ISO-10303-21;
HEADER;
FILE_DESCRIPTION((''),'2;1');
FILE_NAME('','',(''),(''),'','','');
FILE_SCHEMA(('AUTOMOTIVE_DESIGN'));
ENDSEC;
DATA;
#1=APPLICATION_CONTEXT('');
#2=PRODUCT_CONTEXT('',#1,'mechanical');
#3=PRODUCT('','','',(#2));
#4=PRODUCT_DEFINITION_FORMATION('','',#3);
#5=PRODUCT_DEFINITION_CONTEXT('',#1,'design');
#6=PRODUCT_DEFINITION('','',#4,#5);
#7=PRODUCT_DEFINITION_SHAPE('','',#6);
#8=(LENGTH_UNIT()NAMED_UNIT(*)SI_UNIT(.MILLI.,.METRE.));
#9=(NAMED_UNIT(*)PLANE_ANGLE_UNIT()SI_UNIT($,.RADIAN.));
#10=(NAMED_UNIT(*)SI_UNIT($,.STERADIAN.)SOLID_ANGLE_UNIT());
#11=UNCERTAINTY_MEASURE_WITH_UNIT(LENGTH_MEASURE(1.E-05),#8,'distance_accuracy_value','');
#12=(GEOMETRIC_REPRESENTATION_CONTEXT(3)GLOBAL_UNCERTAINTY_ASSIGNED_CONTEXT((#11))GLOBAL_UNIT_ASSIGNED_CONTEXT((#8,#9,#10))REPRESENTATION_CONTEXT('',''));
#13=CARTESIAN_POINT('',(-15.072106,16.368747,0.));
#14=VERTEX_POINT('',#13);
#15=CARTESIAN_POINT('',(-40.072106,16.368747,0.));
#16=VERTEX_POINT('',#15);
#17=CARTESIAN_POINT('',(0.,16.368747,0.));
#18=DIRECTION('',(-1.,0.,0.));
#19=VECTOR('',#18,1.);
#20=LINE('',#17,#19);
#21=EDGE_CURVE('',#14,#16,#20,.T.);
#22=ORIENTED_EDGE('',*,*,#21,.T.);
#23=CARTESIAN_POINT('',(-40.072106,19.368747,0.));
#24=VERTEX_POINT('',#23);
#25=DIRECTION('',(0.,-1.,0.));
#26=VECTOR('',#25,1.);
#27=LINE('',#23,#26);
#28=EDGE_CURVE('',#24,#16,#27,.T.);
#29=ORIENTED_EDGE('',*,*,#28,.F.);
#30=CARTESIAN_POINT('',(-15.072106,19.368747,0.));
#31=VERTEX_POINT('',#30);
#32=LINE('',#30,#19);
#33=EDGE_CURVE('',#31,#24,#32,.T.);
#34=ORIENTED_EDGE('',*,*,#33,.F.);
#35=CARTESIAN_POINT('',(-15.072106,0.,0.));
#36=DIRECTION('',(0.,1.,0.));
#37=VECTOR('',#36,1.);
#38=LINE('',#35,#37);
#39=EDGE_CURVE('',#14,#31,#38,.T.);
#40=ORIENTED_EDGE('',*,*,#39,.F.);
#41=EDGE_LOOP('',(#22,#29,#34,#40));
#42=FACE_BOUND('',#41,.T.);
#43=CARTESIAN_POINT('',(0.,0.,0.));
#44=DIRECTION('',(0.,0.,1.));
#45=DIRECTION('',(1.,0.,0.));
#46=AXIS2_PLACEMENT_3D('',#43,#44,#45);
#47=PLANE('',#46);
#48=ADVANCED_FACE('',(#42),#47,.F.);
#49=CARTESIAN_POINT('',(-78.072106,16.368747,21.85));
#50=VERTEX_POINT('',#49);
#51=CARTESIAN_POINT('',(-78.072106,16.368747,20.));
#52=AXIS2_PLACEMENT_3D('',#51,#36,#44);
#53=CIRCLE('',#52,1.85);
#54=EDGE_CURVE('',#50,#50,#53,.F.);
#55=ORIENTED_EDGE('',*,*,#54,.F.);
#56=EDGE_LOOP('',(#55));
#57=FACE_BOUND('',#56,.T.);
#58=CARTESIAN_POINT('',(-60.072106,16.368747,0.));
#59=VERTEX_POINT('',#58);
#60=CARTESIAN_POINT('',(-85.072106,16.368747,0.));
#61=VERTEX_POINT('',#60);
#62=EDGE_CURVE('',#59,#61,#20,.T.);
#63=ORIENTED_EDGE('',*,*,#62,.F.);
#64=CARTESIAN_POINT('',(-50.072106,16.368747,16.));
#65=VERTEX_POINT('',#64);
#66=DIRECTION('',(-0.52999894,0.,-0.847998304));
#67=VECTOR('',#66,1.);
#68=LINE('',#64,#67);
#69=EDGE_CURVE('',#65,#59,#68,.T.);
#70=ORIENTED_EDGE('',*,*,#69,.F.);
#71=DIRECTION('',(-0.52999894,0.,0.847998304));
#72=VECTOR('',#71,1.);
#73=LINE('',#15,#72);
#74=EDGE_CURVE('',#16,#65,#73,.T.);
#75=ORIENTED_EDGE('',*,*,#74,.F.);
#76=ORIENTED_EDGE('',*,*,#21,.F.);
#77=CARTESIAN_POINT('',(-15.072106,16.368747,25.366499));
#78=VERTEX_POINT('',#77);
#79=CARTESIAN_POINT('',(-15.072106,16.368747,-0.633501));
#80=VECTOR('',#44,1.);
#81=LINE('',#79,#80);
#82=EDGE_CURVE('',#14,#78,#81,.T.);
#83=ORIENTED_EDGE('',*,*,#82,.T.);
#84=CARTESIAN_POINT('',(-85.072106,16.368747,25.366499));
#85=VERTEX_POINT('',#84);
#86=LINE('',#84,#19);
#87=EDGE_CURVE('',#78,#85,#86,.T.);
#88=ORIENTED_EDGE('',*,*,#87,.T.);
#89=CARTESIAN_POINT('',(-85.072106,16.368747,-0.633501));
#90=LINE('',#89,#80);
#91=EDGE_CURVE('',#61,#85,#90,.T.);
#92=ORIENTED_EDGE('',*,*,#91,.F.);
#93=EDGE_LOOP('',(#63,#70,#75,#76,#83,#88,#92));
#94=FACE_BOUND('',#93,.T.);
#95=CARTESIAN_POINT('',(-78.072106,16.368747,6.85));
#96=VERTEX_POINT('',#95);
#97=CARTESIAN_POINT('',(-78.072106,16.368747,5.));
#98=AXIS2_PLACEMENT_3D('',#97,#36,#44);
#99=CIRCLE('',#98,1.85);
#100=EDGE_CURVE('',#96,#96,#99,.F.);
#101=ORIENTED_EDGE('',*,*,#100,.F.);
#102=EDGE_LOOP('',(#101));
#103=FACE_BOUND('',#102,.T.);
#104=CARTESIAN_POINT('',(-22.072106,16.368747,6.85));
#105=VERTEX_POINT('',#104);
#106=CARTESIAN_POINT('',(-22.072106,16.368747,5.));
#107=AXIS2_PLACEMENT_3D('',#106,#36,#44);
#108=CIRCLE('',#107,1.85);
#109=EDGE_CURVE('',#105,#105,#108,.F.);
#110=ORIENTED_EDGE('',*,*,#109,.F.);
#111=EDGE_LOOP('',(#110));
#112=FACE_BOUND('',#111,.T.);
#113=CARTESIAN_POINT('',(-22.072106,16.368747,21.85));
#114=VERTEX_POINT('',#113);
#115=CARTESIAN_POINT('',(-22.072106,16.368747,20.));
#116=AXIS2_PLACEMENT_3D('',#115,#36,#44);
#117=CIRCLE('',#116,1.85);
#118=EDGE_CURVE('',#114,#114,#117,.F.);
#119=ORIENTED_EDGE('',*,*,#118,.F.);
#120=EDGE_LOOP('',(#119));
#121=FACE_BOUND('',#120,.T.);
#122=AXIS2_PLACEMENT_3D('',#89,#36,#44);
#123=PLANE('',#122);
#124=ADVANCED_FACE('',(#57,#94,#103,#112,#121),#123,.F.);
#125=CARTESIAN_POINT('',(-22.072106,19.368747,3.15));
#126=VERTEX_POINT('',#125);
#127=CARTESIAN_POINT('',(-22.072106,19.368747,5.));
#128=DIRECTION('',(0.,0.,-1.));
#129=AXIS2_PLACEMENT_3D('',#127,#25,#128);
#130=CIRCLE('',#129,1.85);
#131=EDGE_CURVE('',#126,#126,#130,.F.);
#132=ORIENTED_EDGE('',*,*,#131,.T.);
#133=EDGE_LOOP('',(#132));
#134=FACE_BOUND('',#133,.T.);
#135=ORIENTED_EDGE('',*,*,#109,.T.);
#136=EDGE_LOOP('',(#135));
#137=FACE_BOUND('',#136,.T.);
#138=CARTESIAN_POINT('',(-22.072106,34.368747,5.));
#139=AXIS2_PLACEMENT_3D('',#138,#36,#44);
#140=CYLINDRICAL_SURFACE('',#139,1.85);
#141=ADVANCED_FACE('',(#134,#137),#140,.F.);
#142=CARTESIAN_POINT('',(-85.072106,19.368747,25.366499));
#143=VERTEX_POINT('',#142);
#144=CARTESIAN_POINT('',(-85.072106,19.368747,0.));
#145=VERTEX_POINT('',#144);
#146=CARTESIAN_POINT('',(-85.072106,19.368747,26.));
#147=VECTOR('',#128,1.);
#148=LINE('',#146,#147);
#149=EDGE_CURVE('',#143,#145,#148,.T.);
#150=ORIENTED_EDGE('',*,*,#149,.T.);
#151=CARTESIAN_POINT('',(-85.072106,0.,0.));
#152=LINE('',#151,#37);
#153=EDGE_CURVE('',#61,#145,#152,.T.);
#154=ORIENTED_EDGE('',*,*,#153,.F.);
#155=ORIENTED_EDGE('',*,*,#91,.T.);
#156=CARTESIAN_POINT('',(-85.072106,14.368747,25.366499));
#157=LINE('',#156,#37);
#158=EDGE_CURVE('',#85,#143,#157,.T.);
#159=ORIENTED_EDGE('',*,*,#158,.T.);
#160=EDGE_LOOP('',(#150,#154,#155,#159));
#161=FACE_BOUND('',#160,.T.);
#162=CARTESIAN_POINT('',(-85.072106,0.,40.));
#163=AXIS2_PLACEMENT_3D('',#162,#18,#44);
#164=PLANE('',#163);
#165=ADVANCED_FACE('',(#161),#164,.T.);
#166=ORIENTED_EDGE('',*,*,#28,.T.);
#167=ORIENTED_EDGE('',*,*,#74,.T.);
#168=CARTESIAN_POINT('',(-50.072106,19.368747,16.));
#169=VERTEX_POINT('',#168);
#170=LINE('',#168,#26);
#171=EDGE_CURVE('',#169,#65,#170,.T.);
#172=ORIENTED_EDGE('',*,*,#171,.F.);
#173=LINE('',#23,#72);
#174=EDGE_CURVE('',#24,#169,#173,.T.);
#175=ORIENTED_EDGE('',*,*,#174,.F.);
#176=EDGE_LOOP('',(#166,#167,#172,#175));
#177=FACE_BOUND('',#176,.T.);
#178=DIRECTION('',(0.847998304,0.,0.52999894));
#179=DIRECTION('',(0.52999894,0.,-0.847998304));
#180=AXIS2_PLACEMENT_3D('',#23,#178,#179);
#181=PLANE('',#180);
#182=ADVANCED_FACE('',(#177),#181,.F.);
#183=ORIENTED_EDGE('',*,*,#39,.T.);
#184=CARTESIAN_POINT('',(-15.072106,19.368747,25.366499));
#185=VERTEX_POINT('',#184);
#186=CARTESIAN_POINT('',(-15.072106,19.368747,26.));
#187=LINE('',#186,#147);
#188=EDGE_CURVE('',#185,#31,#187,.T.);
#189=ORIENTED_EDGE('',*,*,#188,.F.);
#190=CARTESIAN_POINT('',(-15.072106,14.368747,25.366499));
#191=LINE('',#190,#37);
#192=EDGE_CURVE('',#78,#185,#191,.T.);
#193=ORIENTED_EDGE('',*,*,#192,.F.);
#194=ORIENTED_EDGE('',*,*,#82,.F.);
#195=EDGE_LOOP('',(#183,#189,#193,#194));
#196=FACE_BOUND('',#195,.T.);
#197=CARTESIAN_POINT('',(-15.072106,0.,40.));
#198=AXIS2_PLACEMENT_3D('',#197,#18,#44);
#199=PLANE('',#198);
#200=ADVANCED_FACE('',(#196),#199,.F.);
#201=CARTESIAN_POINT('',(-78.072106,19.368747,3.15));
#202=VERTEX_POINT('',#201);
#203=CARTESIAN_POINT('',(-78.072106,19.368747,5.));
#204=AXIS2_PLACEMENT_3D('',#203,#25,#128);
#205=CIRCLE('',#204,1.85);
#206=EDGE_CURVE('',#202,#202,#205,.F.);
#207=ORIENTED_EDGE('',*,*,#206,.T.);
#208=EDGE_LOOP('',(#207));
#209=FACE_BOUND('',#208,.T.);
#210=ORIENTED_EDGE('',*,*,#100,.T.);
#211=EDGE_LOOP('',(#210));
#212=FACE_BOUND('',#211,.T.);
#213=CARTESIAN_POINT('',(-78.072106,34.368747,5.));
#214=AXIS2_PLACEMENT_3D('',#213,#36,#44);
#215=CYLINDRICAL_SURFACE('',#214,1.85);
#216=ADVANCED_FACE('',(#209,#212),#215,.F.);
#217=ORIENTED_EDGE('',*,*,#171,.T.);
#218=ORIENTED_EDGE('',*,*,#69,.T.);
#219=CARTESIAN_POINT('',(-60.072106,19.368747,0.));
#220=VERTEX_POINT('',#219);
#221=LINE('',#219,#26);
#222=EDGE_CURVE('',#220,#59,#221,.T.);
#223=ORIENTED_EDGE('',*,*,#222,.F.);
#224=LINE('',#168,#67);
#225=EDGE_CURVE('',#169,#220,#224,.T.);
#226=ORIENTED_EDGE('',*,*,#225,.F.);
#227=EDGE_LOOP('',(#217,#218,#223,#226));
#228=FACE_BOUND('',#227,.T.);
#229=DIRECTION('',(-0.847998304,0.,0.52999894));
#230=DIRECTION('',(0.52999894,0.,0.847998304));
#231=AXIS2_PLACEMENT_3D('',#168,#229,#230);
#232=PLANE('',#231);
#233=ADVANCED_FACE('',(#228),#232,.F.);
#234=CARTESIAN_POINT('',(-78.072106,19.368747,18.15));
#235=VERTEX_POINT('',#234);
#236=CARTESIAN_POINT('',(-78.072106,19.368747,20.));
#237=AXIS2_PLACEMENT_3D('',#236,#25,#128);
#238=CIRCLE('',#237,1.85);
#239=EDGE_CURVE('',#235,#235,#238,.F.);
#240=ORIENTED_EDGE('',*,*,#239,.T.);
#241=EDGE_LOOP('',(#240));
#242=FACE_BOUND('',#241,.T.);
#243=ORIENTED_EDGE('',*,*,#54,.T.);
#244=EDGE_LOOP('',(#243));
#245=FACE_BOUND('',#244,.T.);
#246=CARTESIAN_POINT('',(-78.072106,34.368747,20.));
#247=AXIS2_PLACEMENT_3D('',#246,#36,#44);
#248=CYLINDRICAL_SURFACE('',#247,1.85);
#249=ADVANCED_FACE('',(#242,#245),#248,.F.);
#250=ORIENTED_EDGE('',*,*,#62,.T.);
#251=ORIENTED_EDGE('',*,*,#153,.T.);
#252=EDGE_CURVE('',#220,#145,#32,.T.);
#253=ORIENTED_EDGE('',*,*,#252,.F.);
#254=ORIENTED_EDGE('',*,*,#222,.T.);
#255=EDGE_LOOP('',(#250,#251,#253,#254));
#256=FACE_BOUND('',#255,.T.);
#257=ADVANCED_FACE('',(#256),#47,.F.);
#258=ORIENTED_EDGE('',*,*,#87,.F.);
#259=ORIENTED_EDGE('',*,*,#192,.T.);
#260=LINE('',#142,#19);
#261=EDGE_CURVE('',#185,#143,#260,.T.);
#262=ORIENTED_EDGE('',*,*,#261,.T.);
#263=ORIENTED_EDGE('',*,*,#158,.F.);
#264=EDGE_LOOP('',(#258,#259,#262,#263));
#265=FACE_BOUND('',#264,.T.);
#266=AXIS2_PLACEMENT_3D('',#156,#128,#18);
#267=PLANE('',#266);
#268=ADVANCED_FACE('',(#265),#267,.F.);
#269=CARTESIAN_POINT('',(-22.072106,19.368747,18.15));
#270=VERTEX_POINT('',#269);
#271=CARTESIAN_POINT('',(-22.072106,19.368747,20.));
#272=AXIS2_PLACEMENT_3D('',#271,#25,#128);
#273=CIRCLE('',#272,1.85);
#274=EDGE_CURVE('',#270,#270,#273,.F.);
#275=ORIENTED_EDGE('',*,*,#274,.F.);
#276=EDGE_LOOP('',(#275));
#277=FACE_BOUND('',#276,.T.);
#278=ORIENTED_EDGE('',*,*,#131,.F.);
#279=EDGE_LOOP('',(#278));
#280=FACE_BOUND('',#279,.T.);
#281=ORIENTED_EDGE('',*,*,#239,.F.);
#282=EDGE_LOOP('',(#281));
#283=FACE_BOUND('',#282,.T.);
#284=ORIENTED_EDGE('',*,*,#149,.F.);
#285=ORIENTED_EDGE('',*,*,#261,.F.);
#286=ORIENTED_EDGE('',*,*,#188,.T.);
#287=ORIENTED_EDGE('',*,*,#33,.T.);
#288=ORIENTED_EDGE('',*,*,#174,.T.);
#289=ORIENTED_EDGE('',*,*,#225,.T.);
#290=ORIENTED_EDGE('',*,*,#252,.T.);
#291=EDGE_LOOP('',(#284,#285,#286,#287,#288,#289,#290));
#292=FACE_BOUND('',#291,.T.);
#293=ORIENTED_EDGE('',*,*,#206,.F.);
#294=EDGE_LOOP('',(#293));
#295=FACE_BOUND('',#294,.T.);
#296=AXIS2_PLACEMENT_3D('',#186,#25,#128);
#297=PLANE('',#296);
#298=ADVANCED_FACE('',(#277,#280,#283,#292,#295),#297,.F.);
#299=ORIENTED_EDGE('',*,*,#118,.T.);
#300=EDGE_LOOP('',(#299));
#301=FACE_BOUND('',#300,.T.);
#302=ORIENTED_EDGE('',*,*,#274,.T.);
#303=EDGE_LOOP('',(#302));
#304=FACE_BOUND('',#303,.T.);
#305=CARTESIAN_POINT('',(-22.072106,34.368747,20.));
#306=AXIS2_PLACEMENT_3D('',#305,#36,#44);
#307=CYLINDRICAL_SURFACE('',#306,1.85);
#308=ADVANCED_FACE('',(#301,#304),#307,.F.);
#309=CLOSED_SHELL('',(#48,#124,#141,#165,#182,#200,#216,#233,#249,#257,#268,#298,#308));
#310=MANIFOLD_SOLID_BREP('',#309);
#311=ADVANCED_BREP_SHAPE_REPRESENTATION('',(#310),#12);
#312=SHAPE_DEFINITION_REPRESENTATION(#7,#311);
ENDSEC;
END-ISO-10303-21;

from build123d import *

# Parameters (mm, degrees)
AUFSATZ_LINEAR_AUSTRAGEN1_DEPTH    = 40
DURCHGANGSLOCH_F_R_M81_D           = 8.4
DURCHGANGSLOCH_F_R_M3_51_D         = 3.7
DURCHGANGSLOCH_F_R_M82_D           = 8.4
DURCHGANGSLOCH_F_R_M82_CSINK_D     = 8.45
DURCHGANGSLOCH_F_R_M82_CSINK_ANGLE = 90
SKIZZE21_R                         = 5
SCHNITT_LINEAR_AUSTRAGEN1_DEPTH    = 12
SKIZZE22_W                         = 70
SKIZZE22_H                         = 14.633500803
SCHNITT_LINEAR_AUSTRAGEN2_DEPTH    = 20
SKIZZE23_W                         = 70
SKIZZE23_H                         = 15
SCHNITT_LINEAR_AUSTRAGEN3_DEPTH    = 26
SKIZZE25_W                         = 70
SKIZZE25_H                         = 2
SCHNITT_LINEAR_AUSTRAGEN5_DEPTH    = 26
SCHNITT_LINEAR_AUSTRAGEN6_DEPTH    = 3


with BuildPart() as part:
    # Skizze1 → Aufsatz-Linear austragen1 (new body)
    with BuildSketch(Plane.XY):
        Polygon((-85.072105864, 34.368747103), (-85.072105864, 14.368747103), (-50.072105864, 14.368747103), (-50.072105864, 28.368747103), (-65.805439197, 28.368747103), (-65.805439197, 34.368747103), align=None)
        Polygon((-50.072105864, 28.368747103), (-50.072105864, 14.368747103), (-15.072105864, 14.368747103), (-15.072105864, 34.368747103), (-34.33877253, 34.368747103), (-34.33877253, 28.368747103), align=None)
    extrude(amount=AUFSATZ_LINEAR_AUSTRAGEN1_DEPTH)

    # Durchgangsloch für M81 (through all)
    with Locations(Plane(origin=(0, 34.368747103, 0), x_dir=(1, 0, 0), z_dir=(0, 1, 0))):
        with Locations((-78.072105864, -33), (-22.072105864, -33)):
            Hole(DURCHGANGSLOCH_F_R_M81_D / 2)

    # Durchgangsloch für M3.51 (through all)
    with Locations(Plane(origin=(0, 34.368747103, 0), x_dir=(1, 0, 0), z_dir=(0, 1, 0))):
        with Locations((-78.072105864, -5), (-78.072105864, -20), (-22.072105864, -20), (-22.072105864, -5)):
            Hole(DURCHGANGSLOCH_F_R_M3_51_D / 2)

    # Durchgangsloch für M82 (through all)
    with Locations(Plane(origin=(0, 14.368747103, 0), x_dir=(-1, 0, 0), z_dir=(0, -1, 0))):
        with Locations((50.072105864, -33)):
            CounterSinkHole(DURCHGANGSLOCH_F_R_M82_D / 2, DURCHGANGSLOCH_F_R_M82_CSINK_D / 2, counter_sink_angle=DURCHGANGSLOCH_F_R_M82_CSINK_ANGLE)

    # Skizze21 → Schnitt-Linear austragen1 (cut)
    with BuildSketch(Plane(origin=(0, 28.368747103, 0), x_dir=(1, 0, 0), z_dir=(0, 1, 0))):
        with Locations((-50.072105864, -33)):
            Circle(SKIZZE21_R)
    extrude(amount=-SCHNITT_LINEAR_AUSTRAGEN1_DEPTH, mode=Mode.SUBTRACT)

    # Skizze22 → Schnitt-Linear austragen2 (cut)
    with BuildSketch(Plane(origin=(0, 34.368747103, 0), x_dir=(1, 0, 0), z_dir=(0, 1, 0))):
        with Locations((-50.072105864, -32.683249598)):
            Rectangle(SKIZZE22_W, SKIZZE22_H)
    extrude(amount=-SCHNITT_LINEAR_AUSTRAGEN2_DEPTH, mode=Mode.SUBTRACT)

    # Skizze23 → Schnitt-Linear austragen3 (cut)
    with BuildSketch(Plane(origin=(0, 0, 0), x_dir=(-1, 0, 0), z_dir=(0, 0, -1))):
        with Locations((50.072105864, 26.868747103)):
            Rectangle(SKIZZE23_W, SKIZZE23_H)
    extrude(amount=-SCHNITT_LINEAR_AUSTRAGEN3_DEPTH, mode=Mode.SUBTRACT)

    # Skizze25 → Schnitt-Linear austragen5 (cut)
    with BuildSketch(Plane.XY.offset(25.366499197)):
        with Locations((-50.072105864, 15.368747103)):
            Rectangle(SKIZZE25_W, SKIZZE25_H)
    extrude(amount=-SCHNITT_LINEAR_AUSTRAGEN5_DEPTH, mode=Mode.SUBTRACT)

    # Skizze26 → Schnitt-Linear austragen6 (cut)
    with BuildSketch(Plane.XZ.offset(-16.368747103)):
        Polygon((-40.072105864, 0), (-50.072105864, 16), (-60.072105864, 0), align=None)
    extrude(amount=-SCHNITT_LINEAR_AUSTRAGEN6_DEPTH, mode=Mode.SUBTRACT)


solid = part.part
